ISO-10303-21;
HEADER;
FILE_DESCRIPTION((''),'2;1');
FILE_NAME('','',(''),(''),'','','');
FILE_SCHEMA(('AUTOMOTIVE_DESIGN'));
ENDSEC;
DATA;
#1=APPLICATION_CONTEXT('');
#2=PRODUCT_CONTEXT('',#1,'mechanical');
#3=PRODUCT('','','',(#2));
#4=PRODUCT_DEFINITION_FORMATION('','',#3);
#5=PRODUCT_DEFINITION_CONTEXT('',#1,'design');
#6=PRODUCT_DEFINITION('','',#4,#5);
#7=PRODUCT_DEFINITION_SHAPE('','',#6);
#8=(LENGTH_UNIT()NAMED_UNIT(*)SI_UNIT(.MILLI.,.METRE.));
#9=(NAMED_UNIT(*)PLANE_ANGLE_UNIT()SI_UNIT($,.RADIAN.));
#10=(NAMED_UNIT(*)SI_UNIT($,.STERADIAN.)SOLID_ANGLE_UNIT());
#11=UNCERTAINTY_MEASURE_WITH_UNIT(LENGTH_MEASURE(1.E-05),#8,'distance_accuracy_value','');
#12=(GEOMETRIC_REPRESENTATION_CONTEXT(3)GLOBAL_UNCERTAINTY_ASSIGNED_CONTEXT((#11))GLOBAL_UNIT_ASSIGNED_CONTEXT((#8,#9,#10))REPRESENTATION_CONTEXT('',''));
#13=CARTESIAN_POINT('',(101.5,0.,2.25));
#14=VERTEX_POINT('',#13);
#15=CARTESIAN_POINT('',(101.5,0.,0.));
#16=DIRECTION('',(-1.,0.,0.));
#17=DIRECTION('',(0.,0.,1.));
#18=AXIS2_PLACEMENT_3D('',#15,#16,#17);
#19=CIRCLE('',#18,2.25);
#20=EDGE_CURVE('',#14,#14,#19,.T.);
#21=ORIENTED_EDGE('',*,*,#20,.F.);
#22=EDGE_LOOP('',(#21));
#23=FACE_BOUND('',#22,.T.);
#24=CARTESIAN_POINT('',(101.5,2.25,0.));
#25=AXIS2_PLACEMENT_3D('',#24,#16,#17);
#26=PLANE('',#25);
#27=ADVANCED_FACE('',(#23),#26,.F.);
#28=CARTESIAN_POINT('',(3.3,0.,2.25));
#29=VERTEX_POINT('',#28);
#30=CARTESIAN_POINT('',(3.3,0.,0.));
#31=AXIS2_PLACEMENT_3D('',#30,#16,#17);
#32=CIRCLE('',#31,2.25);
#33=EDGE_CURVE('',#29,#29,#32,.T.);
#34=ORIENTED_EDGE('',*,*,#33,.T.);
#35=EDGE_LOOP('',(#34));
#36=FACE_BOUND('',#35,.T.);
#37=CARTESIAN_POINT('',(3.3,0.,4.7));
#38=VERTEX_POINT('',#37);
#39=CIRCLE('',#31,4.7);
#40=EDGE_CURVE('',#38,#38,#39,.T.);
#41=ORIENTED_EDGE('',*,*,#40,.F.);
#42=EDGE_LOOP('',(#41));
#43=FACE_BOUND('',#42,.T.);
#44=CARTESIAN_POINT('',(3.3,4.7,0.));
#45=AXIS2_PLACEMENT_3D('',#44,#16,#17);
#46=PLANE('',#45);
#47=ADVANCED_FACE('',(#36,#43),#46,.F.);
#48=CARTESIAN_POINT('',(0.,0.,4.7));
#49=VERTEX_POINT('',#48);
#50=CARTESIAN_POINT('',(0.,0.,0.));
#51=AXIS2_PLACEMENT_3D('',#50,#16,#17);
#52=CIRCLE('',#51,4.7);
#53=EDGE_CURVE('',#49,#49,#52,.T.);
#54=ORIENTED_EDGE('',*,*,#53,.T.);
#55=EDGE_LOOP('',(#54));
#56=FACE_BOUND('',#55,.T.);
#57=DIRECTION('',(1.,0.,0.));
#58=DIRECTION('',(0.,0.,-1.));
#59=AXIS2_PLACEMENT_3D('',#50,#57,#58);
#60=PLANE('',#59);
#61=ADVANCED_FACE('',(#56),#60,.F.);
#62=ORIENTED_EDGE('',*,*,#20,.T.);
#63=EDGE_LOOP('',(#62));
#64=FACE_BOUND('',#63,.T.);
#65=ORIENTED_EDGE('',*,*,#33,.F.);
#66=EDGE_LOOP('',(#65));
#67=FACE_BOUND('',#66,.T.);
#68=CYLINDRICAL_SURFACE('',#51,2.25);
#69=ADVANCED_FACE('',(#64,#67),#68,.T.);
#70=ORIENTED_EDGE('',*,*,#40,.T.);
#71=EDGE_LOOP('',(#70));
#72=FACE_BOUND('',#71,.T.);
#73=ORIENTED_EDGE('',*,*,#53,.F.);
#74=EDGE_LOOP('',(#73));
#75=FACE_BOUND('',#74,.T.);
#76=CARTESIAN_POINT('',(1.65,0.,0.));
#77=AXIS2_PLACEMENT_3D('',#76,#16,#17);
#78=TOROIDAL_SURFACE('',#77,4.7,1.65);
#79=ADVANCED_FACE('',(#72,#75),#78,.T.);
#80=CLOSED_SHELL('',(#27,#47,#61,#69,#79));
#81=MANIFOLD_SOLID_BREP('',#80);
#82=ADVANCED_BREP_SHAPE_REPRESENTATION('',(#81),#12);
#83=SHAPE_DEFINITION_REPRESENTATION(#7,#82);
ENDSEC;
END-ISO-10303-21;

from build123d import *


with BuildPart() as part:
    # Skizze1 → Rotation1 (revolve)
    with BuildSketch(Plane.XY, mode=Mode.PRIVATE) as rotation1_sk:
        with BuildLine():
            Line((0, 0), (0, 4.7))
            ThreePointArc((0, 4.7), (1.65, 6.35), (3.3, 4.7))
            Line((3.3, 4.7), (3.3, 2.25))
            Line((3.3, 2.25), (101.5, 2.25))
            Line((101.5, 2.25), (101.5, 0))
            Line((101.5, 0), (0, 0))
        make_face()
    revolve(rotation1_sk.sketch.rotate(Axis((0, 0, 0), (1, 0, 0)), 90), axis=Axis((0, 0, 0), (1, 0, 0)))


solid = part.part
